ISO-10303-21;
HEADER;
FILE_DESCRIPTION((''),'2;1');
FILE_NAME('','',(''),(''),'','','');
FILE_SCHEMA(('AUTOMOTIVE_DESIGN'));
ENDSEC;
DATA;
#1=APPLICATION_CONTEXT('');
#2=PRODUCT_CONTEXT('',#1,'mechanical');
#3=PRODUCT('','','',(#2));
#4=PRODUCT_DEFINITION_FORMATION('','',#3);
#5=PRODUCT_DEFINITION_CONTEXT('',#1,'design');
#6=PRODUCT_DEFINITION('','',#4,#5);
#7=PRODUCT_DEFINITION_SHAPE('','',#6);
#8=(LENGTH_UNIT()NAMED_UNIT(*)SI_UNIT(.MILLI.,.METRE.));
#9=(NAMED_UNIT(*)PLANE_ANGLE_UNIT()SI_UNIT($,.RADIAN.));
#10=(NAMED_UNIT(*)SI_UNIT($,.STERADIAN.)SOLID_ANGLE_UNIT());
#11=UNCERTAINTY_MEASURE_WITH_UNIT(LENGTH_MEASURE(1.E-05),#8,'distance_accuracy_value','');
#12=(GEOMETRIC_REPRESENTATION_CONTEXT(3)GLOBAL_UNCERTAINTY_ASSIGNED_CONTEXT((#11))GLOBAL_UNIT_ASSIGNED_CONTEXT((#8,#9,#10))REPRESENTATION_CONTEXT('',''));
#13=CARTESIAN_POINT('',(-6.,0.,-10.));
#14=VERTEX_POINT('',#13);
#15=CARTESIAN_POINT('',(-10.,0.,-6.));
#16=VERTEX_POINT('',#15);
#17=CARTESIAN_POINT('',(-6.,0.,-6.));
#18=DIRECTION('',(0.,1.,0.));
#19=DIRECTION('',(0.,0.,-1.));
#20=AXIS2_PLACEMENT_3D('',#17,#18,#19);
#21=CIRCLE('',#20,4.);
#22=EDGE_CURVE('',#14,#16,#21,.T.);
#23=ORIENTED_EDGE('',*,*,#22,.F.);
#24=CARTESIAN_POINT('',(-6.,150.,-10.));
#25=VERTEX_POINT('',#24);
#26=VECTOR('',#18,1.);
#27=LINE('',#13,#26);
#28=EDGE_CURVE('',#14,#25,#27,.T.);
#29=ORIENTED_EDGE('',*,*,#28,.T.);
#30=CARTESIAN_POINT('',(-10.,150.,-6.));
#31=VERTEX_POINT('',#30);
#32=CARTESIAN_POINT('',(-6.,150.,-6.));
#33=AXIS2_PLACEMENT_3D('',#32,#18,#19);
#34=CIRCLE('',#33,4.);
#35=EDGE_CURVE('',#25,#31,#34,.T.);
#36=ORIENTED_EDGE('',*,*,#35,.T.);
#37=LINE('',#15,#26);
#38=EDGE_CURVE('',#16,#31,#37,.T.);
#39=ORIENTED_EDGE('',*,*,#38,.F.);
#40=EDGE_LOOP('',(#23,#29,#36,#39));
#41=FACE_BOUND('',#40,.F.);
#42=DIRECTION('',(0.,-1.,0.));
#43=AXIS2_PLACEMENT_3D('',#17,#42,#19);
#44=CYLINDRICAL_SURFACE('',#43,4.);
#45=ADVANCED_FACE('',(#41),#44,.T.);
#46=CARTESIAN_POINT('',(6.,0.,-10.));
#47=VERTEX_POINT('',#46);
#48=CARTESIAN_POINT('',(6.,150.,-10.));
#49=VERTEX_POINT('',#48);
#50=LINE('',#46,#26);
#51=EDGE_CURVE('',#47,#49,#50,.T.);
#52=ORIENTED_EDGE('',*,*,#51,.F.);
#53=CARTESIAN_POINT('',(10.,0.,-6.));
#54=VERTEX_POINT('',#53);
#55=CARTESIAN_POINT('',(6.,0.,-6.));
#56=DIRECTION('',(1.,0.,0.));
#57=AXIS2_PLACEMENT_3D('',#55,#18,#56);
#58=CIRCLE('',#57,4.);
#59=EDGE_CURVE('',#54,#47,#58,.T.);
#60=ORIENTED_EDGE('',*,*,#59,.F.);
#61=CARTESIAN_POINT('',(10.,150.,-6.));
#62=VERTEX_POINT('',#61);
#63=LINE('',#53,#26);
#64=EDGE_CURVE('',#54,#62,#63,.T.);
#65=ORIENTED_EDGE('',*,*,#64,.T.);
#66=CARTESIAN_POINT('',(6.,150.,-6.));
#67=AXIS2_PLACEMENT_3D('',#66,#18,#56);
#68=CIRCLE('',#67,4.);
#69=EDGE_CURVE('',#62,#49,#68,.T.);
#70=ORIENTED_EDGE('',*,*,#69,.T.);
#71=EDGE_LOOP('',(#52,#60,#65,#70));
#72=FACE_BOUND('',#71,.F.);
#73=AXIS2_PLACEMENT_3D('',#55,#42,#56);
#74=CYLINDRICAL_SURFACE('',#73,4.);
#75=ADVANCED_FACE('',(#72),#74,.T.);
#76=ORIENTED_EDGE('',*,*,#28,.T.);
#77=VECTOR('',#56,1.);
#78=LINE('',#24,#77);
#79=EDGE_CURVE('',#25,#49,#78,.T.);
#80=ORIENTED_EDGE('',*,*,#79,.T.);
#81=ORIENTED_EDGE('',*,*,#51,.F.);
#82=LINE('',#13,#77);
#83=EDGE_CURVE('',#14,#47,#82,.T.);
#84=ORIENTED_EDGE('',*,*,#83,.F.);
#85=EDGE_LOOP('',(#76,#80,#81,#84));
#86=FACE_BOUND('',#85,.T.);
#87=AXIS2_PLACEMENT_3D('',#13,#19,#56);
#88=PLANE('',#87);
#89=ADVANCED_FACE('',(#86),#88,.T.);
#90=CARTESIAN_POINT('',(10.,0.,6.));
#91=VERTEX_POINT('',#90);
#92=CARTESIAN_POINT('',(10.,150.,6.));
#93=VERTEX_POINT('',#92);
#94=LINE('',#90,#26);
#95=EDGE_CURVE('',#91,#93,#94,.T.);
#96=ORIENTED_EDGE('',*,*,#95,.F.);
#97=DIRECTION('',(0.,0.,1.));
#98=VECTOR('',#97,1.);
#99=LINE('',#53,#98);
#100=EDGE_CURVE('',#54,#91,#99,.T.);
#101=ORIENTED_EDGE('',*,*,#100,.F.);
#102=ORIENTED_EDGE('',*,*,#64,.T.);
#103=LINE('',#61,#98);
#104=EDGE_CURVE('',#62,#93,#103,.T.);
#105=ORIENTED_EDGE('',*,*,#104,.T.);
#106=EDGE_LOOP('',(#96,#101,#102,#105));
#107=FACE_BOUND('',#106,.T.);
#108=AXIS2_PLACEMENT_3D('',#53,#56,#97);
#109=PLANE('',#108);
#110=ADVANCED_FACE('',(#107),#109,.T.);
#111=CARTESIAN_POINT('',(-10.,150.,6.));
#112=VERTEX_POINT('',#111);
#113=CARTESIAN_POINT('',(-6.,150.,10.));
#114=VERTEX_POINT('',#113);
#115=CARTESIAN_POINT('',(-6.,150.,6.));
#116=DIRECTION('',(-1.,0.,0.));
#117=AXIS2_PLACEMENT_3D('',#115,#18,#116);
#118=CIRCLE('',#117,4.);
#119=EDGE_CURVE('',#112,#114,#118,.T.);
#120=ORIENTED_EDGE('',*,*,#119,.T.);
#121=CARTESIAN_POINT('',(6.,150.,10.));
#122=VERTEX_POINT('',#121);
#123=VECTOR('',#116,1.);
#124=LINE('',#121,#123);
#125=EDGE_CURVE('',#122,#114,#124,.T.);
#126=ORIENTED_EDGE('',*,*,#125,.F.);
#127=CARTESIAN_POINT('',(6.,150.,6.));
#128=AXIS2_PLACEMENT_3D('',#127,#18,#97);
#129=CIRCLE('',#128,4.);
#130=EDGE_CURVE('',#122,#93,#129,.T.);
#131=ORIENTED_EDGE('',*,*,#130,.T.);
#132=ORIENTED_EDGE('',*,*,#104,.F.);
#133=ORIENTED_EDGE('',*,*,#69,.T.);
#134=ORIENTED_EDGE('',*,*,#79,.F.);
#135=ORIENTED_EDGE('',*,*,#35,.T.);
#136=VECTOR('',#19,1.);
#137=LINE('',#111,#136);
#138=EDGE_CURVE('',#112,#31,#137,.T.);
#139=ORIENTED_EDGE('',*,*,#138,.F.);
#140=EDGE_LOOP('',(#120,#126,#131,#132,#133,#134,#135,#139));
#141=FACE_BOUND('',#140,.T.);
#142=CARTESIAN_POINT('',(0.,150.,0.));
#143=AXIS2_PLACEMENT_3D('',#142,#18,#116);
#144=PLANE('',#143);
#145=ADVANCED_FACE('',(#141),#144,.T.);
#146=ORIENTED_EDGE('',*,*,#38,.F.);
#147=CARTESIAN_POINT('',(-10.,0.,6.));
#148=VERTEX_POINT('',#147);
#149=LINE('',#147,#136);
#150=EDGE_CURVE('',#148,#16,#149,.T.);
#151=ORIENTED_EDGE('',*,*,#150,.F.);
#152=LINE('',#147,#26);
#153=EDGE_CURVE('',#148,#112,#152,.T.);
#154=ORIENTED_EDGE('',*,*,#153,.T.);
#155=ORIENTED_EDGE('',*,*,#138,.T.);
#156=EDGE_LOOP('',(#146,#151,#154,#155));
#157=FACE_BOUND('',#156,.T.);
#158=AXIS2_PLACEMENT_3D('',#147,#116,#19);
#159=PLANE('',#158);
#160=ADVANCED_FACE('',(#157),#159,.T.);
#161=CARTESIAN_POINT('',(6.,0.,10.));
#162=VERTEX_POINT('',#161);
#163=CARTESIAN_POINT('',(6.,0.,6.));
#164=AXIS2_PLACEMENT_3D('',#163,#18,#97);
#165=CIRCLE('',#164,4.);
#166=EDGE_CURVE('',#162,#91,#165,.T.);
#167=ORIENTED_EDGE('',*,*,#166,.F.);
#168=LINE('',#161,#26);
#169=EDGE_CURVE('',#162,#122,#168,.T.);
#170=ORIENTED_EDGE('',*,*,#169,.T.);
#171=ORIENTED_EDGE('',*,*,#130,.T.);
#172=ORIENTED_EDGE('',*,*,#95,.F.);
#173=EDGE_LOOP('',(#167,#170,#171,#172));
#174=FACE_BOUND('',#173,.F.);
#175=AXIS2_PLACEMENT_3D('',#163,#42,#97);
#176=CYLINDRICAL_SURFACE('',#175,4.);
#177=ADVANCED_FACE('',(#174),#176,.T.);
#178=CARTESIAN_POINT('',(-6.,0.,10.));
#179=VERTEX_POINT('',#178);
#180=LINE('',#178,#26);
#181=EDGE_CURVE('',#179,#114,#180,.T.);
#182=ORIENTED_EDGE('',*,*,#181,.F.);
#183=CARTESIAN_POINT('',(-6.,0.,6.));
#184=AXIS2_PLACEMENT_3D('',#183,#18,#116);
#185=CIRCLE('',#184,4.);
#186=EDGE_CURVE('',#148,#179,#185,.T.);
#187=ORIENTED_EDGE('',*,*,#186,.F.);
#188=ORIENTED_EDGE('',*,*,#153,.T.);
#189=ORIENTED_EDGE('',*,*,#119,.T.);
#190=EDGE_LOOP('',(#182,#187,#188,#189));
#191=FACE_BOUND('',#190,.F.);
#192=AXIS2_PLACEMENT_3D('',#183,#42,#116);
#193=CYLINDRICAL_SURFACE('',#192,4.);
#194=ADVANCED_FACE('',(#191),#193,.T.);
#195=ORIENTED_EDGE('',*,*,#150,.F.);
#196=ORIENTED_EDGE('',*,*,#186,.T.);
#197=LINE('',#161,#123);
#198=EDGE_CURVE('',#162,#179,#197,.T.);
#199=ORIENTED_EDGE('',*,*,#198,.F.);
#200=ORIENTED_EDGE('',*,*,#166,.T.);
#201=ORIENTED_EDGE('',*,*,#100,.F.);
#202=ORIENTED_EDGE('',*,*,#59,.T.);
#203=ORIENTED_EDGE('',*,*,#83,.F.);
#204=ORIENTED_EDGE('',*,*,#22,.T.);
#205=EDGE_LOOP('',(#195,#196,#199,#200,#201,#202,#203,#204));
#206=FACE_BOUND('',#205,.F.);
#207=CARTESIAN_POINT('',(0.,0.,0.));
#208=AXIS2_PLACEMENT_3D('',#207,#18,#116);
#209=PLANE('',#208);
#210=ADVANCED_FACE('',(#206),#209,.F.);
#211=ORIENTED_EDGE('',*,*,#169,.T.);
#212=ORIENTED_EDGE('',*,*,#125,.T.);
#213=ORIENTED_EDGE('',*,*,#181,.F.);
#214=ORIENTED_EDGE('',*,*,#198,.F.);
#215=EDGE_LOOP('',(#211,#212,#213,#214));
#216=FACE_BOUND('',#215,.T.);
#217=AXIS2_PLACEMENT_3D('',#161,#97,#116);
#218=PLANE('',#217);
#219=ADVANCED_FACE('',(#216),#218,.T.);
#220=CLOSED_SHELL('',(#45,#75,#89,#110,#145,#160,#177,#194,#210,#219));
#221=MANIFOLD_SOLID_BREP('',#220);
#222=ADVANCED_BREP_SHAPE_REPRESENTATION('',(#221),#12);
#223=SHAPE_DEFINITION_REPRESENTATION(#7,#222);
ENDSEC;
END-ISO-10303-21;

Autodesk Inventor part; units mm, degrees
ref_plane "YZ Plane" through (0, 0, 0) normal (1, 0, 0) x (0, 1, 0)
ref_plane "XZ Plane" through (0, 0, 0) normal (0, 1, 0) x (-1, 0, 0)
ref_plane "XY Plane" through (0, 0, 0) normal (0, 0, 1) x (1, 0, 0)
sketch "Sketch1" plane through (0, 0, 0) normal (0, 1, 0) x (-1, 0, 0)
  line L0 (12.8536, 0) -> (-12.8536, 0) construction
  line L1 (0, -18.0149) -> (0, 18.0149) construction
  line L2 (6, -10) -> (-6, -10)
  line L3 (-10, -6) -> (-10, 6)
  line L4 (-6, 10) -> (6, 10)
  line L5 (10, 6) -> (10, -6)
  arc A0 (-6, 10) -> (-10, 6) centre (-6, 6) ccw
  arc A1 (-10, -6) -> (-6, -10) centre (-6, -6) ccw
  arc A2 (6, -10) -> (10, -6) centre (6, -6) ccw
  arc A3 (10, 6) -> (6, 10) centre (6, 6) ccw
  point P0 (0, 0)
  point P1 (0, 0)
  point P2 (0, 0)
  point P3 (10, -10)
  point P4 (-10, 10)
  point P5 (-10, -10)
  point P6 (10, 10)
  dimension "d0" = 20
  dimension "d1" = 20
  dimension "d2" = 4
extrude "Extrusion1" add sketch "Sketch1" along normal blind 150
properties part number "Item4040RotorHorizontalTopV1"
